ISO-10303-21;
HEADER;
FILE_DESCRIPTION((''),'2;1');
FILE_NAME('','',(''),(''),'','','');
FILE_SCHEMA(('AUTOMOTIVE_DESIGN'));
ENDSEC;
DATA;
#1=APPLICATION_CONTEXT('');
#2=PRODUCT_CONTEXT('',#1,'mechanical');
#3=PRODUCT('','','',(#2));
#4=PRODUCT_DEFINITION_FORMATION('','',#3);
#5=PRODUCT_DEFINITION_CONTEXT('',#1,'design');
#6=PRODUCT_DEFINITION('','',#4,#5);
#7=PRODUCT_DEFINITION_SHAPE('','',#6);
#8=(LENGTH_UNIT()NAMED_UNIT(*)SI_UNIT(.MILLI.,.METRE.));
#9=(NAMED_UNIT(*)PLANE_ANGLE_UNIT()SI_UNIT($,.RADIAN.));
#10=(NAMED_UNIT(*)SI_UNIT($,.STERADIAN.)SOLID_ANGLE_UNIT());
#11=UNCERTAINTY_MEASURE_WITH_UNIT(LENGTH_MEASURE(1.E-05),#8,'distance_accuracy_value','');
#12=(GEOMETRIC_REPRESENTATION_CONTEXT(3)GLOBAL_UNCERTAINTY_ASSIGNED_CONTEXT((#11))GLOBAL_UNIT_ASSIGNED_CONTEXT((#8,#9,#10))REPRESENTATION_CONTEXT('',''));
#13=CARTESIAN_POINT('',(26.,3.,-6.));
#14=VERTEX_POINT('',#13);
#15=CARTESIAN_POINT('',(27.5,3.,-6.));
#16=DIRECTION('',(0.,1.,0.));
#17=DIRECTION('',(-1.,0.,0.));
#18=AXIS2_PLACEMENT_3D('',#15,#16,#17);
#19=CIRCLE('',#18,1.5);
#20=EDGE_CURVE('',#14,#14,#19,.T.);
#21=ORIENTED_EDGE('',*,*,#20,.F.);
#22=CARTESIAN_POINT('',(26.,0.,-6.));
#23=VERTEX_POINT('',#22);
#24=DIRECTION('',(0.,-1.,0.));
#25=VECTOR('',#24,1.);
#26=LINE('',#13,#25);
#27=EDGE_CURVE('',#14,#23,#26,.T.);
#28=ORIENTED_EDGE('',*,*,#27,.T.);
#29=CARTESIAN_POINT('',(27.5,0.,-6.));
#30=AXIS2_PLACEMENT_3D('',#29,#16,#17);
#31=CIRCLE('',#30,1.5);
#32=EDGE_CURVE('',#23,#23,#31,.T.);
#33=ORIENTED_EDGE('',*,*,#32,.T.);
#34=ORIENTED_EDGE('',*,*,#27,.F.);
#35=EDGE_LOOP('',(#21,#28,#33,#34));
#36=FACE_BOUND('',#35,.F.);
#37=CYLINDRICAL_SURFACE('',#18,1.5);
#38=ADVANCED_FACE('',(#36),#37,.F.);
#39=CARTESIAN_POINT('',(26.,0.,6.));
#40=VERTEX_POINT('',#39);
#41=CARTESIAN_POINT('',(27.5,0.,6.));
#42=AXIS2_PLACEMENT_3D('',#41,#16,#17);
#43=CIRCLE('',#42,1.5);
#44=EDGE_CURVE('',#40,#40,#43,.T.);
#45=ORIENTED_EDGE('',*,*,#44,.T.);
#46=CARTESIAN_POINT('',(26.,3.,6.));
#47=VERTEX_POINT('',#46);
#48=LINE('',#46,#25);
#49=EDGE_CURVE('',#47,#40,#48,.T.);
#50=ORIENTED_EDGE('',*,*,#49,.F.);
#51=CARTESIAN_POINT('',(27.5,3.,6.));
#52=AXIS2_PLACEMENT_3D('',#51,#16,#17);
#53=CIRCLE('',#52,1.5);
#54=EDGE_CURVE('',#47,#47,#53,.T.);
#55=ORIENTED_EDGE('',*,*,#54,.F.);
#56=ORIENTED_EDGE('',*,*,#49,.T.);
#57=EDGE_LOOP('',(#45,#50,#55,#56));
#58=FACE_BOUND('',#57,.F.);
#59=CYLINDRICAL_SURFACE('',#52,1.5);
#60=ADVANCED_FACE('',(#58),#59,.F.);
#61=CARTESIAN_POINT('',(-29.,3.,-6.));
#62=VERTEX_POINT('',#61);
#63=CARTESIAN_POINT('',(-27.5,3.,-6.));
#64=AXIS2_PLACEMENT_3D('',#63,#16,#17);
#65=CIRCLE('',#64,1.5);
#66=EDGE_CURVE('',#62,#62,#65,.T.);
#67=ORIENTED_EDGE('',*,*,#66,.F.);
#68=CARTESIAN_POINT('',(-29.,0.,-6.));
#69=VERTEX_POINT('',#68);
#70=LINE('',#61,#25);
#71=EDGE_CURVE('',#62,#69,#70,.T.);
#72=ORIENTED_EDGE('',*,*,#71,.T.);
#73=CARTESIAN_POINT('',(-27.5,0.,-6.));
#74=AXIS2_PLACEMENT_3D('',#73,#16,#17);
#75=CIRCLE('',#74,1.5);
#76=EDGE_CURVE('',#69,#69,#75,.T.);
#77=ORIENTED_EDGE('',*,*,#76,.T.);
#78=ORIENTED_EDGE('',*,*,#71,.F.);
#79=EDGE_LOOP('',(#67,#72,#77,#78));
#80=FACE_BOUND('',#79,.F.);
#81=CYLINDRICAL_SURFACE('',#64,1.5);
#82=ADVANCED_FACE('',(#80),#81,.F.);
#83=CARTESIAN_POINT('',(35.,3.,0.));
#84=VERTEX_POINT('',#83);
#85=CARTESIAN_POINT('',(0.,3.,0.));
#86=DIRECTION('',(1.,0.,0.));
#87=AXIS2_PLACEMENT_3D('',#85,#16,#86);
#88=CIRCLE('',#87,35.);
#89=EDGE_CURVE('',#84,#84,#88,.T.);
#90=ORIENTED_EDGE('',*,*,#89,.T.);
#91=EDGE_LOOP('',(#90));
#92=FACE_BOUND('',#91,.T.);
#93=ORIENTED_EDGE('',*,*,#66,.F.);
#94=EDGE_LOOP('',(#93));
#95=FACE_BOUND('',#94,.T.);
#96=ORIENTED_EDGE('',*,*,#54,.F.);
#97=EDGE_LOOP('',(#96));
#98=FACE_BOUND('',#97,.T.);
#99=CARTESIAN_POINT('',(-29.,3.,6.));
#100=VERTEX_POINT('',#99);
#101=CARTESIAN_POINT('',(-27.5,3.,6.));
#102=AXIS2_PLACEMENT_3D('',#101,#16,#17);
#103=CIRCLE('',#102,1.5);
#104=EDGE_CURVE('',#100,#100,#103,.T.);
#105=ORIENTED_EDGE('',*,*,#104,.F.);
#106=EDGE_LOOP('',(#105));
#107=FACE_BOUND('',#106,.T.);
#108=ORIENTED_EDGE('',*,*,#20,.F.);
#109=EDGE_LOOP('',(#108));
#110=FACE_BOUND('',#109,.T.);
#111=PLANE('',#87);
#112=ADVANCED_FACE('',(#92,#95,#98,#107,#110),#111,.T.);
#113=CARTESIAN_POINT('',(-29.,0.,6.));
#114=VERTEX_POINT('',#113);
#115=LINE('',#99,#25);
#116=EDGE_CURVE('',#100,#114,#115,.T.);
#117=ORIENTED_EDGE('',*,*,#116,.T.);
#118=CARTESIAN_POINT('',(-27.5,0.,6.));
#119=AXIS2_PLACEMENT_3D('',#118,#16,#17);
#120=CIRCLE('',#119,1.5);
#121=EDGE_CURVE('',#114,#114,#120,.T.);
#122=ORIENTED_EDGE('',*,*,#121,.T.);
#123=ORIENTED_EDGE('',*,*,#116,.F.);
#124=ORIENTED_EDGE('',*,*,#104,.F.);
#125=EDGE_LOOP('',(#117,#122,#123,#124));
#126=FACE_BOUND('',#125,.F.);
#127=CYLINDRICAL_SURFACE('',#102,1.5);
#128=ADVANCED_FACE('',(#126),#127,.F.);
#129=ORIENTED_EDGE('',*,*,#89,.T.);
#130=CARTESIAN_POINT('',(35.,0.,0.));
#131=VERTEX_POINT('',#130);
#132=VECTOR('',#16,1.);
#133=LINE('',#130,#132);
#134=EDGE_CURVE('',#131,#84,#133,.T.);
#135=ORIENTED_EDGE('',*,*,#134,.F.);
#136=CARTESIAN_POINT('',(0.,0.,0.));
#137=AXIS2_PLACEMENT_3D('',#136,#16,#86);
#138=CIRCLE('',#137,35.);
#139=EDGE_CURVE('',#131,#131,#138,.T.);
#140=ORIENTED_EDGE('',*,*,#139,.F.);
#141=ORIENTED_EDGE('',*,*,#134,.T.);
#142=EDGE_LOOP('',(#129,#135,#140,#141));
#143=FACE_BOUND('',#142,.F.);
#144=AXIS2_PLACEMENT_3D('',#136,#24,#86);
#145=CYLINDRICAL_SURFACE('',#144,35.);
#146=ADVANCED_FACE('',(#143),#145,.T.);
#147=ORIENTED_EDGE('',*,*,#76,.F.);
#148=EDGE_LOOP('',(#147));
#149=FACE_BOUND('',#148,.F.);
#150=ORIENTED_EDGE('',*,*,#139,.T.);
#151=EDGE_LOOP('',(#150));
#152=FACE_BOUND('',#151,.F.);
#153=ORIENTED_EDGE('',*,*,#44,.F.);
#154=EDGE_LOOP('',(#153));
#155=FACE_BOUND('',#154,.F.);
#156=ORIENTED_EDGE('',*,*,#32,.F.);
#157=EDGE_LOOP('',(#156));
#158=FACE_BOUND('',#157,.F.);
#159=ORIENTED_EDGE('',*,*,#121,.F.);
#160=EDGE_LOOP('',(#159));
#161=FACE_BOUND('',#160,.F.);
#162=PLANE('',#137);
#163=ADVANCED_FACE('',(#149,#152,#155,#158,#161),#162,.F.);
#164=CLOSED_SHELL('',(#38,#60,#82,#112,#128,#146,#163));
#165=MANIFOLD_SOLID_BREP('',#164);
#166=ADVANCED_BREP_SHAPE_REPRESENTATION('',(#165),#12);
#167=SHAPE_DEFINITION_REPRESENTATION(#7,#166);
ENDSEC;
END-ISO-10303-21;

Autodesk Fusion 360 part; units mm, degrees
sketch "スケッチ1" plane through (0, 0, 0) normal (1, 0, 0) x (0, 0, -1)
sketch "スケッチ2" plane through (0, 0, 0) normal (0, 1, 0) x (1, 0, 0)
  circle A0 centre (0, 0) radius 35
  dimension "d1" = 70
extrude "押し出し1" add sketch "スケッチ2" along normal blind 3
sketch "スケッチ3" plane through (0, 3, 0) normal (0, 1, 0) x (-1, 0, 0)
  circle A0 centre (0, 0) radius 35
  line L0 (35, 0) -> (-35, 0)
  circle A1 centre (-27.5, -6) radius 1.5
  circle A2 centre (-27.5, 6) radius 1.5
  circle A3 centre (27.5, -6) radius 1.5
  circle A4 centre (27.5, 6) radius 1.5
  point P0 (0, -0.0001)
  dimension "d4" = 3
  dimension "d5" = 27.5
  dimension "d6" = 6
  dimension "d7" = 3
  dimension "d8" = 6
  dimension "d9" = 27.5
  dimension "d10" = 3
  dimension "d11" = 3
  dimension "d12" = 27.5
  dimension "d13" = 27.5
  dimension "d14" = 6
  dimension "d15" = 6
extrude "押し出し2" cut sketch "スケッチ3" along normal mid plane 6 contours A1 | A2 | A3 | A4
sketch "スケッチ4" plane through (0, 3, 0) normal (0, 1, 0) x (-1, 0, 0)
  circle A0 centre (27.5, 6) radius 1.5
  circle A1 centre (-27.5, -6) radius 1.5
  circle A2 centre (27.5, -6) radius 1.5
  circle A3 centre (-27.5, 6) radius 1.5
  circle A4 centre (0, 0) radius 35
equation "d5 = ( 55 / 2 ) * 1 mm"
